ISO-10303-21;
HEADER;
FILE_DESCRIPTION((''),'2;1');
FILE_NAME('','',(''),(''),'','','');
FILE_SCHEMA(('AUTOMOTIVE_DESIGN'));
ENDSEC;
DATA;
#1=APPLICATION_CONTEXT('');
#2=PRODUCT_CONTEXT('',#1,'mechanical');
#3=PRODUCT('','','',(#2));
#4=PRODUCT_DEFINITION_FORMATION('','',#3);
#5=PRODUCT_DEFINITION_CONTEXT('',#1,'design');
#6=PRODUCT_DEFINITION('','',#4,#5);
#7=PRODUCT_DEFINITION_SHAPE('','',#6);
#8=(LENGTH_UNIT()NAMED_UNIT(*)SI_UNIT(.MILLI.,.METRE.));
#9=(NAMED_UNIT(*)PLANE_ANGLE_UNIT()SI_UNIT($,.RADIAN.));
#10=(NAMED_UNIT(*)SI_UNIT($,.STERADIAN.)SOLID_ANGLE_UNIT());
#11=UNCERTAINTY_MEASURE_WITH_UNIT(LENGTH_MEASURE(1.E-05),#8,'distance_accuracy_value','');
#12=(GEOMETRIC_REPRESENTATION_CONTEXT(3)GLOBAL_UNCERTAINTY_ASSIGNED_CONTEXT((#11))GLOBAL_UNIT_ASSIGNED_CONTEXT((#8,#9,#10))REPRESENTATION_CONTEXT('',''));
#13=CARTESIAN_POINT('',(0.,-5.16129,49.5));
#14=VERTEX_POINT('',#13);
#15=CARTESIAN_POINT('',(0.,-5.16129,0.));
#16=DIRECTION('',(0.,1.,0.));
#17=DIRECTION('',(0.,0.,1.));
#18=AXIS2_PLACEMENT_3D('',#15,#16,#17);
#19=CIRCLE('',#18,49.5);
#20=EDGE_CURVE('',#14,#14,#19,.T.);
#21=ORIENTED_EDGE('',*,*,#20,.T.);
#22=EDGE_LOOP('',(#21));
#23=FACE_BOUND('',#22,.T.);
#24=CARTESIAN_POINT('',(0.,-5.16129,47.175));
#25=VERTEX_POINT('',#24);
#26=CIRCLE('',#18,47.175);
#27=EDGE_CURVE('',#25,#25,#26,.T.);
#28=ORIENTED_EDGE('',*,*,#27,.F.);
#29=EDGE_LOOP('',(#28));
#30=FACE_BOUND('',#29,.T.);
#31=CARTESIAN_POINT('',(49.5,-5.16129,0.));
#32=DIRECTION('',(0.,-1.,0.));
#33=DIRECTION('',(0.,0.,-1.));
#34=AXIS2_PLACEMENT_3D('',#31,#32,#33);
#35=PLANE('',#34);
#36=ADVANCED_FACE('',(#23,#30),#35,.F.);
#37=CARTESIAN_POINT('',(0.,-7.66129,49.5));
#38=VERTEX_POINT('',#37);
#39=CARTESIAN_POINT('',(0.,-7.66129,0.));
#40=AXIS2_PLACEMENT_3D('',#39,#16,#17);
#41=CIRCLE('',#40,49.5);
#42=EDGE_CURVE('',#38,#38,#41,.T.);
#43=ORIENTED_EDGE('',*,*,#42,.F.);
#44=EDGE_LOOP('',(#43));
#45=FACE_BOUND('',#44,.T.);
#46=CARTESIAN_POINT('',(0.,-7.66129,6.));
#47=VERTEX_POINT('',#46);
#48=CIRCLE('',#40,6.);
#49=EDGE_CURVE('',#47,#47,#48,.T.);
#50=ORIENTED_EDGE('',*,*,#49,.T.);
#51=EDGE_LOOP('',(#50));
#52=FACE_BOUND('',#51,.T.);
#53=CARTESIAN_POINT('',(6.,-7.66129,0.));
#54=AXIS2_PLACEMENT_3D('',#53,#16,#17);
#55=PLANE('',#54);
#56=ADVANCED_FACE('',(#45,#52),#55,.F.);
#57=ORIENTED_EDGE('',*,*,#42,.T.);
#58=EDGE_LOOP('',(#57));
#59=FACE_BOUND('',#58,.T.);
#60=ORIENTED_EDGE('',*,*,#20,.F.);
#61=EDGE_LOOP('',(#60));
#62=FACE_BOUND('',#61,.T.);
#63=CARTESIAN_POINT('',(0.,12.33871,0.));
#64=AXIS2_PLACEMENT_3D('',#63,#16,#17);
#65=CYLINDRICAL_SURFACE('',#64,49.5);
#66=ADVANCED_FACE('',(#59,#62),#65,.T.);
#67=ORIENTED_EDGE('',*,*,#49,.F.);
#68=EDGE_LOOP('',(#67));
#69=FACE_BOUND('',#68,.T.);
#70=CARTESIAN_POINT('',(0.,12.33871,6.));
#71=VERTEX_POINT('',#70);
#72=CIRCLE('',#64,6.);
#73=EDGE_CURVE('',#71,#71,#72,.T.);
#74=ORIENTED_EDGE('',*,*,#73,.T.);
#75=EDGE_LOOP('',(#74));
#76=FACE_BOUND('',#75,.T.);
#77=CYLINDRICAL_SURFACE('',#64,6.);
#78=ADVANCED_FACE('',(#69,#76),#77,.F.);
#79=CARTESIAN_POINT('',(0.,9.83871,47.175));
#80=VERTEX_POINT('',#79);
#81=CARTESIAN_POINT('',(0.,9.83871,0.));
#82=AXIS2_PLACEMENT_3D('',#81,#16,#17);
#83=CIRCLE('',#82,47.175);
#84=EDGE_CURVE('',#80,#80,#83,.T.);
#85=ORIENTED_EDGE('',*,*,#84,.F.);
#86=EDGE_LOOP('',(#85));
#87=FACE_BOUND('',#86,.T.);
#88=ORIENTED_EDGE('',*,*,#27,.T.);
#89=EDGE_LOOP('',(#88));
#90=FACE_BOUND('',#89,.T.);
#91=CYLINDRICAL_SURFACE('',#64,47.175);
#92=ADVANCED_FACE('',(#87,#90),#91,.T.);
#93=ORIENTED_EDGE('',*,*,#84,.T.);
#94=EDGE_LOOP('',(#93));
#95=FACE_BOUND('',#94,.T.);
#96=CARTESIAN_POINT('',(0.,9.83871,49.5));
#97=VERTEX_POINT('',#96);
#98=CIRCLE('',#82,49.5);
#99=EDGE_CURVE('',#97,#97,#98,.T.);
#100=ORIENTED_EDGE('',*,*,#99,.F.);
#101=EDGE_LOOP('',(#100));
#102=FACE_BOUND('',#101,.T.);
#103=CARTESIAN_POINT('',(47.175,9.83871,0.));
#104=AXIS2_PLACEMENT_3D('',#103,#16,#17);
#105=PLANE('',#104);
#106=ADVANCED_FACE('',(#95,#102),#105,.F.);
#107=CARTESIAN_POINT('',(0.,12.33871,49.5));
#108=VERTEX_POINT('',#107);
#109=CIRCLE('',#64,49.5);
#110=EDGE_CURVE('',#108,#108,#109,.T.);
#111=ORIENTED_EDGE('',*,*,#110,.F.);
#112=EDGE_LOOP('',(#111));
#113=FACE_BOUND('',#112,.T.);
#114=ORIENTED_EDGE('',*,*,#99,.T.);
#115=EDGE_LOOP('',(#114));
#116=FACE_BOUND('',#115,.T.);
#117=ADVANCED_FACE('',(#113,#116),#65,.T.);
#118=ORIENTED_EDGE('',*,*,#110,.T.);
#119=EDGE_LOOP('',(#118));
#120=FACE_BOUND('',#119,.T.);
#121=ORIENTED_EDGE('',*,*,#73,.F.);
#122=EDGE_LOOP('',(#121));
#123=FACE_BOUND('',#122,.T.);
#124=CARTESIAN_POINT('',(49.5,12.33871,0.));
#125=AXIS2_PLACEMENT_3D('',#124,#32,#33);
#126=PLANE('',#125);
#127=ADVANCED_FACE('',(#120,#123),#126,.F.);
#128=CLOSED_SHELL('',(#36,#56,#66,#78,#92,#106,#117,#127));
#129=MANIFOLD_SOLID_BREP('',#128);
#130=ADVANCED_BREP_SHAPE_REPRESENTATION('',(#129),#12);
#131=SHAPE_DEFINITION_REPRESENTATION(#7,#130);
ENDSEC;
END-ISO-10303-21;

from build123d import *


with BuildPart() as part:
    # Schizzo1 → Rivoluzione1 (revolve)
    with BuildSketch(Plane.XY, mode=Mode.PRIVATE) as rivoluzione1_sk:
        Polygon((6, -7.661290323), (49.5, -7.661290323), (49.5, -5.161290323), (47.175, -5.161290323), (47.175, 9.838709677), (49.5, 9.838709677), (49.5, 12.338709677), (6, 12.338709677), align=None)
    revolve(rivoluzione1_sk.sketch.rotate(Axis((0, 12.338709677, 0), (0, -1, 0)), 90), axis=Axis((0, 12.338709677, 0), (0, -1, 0)))


solid = part.part
